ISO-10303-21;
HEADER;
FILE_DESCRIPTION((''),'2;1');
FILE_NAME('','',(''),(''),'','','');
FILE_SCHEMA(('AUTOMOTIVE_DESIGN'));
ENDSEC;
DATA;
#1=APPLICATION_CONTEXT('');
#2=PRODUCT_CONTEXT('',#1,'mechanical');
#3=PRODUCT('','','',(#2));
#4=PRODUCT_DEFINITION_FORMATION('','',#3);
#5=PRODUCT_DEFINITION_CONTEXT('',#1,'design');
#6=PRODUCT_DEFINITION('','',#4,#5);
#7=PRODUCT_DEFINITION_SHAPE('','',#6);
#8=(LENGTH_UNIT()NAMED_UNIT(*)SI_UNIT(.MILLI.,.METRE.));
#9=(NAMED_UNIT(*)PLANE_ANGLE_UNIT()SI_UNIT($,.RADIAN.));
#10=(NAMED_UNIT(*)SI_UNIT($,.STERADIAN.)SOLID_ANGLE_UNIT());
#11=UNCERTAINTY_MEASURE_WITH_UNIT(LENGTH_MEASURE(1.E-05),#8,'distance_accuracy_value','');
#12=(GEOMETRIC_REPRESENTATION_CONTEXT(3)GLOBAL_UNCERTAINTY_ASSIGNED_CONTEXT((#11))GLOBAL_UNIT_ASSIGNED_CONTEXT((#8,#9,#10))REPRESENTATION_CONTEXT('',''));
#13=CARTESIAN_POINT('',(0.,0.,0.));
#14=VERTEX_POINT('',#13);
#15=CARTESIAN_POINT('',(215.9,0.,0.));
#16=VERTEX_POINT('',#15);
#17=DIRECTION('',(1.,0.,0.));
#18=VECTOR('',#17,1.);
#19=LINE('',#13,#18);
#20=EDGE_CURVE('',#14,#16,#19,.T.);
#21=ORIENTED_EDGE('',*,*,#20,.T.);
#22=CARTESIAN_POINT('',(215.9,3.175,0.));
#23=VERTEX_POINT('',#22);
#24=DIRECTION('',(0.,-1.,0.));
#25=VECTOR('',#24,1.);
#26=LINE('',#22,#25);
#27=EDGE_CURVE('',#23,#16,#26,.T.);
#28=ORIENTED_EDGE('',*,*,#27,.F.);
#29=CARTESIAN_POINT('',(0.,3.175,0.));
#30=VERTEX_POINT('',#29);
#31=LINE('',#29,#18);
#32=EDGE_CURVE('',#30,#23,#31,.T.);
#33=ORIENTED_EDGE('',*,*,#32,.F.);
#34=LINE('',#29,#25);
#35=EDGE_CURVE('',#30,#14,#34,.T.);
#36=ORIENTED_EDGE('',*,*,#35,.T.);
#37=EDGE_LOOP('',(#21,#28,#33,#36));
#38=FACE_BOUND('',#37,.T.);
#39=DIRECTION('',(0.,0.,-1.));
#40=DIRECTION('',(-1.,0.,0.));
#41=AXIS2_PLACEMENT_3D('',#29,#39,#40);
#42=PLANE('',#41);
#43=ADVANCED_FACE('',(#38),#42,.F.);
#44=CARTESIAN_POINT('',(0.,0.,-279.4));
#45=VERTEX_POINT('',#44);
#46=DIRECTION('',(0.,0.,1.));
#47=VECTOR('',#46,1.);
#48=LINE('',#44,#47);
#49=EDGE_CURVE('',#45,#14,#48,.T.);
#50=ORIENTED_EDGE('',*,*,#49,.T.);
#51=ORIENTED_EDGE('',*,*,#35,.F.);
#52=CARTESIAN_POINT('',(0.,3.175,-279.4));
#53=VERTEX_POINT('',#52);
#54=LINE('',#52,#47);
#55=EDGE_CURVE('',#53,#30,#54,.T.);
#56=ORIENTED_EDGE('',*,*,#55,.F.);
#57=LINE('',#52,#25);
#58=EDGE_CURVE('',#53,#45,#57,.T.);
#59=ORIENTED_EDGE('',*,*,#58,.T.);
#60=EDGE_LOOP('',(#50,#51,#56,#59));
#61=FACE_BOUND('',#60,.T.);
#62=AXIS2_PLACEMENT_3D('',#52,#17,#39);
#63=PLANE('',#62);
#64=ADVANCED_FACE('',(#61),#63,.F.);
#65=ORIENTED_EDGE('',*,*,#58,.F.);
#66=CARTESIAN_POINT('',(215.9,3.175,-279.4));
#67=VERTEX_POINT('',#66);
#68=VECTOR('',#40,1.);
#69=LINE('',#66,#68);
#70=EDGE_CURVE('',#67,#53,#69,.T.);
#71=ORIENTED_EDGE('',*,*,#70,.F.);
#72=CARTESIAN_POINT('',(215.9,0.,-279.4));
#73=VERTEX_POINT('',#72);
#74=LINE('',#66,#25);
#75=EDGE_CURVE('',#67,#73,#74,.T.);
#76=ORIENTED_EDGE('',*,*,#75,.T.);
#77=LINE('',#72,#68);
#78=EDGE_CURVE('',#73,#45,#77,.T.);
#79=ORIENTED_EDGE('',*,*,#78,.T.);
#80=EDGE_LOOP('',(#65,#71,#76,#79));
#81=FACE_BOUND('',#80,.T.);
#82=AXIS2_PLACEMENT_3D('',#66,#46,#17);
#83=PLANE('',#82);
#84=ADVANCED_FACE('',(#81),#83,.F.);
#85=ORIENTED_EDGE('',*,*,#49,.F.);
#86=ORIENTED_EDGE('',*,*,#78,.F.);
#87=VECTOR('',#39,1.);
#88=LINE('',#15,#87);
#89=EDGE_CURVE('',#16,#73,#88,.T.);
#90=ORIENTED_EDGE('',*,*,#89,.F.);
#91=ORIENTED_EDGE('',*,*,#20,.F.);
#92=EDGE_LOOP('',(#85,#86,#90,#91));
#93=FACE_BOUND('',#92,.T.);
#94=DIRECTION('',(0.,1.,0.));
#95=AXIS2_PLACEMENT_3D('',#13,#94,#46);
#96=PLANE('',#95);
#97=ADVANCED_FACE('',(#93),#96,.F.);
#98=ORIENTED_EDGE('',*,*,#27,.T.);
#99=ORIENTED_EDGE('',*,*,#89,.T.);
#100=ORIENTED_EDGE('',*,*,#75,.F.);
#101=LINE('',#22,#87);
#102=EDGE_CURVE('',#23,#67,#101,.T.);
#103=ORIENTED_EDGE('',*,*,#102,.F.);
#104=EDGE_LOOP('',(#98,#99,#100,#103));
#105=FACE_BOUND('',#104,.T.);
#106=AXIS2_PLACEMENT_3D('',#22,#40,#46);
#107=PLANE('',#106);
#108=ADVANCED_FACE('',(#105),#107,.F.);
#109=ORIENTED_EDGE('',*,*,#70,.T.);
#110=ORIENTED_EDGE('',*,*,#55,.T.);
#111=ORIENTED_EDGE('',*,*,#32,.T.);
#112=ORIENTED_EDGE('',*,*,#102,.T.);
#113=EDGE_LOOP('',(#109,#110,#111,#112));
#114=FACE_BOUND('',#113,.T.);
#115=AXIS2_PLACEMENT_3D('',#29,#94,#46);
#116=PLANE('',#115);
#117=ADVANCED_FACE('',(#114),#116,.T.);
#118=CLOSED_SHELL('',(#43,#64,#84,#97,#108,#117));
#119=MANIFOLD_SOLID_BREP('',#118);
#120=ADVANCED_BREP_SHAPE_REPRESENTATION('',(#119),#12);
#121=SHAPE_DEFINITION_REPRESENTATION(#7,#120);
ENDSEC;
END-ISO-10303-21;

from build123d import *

# Parameters (mm, degrees)
SKETCH1_W           = 215.9
SKETCH1_H           = 279.4
BOSS_EXTRUDE1_DEPTH = 3.175


with BuildPart() as part:
    # Sketch1 → Boss-Extrude1 (new body)
    with BuildSketch(Plane(origin=(0, 0, 0), x_dir=(1, 0, 0), z_dir=(0, 1, 0))):
        with Locations((107.95, 139.7)):
            Rectangle(SKETCH1_W, SKETCH1_H)
    extrude(amount=BOSS_EXTRUDE1_DEPTH)


solid = part.part
